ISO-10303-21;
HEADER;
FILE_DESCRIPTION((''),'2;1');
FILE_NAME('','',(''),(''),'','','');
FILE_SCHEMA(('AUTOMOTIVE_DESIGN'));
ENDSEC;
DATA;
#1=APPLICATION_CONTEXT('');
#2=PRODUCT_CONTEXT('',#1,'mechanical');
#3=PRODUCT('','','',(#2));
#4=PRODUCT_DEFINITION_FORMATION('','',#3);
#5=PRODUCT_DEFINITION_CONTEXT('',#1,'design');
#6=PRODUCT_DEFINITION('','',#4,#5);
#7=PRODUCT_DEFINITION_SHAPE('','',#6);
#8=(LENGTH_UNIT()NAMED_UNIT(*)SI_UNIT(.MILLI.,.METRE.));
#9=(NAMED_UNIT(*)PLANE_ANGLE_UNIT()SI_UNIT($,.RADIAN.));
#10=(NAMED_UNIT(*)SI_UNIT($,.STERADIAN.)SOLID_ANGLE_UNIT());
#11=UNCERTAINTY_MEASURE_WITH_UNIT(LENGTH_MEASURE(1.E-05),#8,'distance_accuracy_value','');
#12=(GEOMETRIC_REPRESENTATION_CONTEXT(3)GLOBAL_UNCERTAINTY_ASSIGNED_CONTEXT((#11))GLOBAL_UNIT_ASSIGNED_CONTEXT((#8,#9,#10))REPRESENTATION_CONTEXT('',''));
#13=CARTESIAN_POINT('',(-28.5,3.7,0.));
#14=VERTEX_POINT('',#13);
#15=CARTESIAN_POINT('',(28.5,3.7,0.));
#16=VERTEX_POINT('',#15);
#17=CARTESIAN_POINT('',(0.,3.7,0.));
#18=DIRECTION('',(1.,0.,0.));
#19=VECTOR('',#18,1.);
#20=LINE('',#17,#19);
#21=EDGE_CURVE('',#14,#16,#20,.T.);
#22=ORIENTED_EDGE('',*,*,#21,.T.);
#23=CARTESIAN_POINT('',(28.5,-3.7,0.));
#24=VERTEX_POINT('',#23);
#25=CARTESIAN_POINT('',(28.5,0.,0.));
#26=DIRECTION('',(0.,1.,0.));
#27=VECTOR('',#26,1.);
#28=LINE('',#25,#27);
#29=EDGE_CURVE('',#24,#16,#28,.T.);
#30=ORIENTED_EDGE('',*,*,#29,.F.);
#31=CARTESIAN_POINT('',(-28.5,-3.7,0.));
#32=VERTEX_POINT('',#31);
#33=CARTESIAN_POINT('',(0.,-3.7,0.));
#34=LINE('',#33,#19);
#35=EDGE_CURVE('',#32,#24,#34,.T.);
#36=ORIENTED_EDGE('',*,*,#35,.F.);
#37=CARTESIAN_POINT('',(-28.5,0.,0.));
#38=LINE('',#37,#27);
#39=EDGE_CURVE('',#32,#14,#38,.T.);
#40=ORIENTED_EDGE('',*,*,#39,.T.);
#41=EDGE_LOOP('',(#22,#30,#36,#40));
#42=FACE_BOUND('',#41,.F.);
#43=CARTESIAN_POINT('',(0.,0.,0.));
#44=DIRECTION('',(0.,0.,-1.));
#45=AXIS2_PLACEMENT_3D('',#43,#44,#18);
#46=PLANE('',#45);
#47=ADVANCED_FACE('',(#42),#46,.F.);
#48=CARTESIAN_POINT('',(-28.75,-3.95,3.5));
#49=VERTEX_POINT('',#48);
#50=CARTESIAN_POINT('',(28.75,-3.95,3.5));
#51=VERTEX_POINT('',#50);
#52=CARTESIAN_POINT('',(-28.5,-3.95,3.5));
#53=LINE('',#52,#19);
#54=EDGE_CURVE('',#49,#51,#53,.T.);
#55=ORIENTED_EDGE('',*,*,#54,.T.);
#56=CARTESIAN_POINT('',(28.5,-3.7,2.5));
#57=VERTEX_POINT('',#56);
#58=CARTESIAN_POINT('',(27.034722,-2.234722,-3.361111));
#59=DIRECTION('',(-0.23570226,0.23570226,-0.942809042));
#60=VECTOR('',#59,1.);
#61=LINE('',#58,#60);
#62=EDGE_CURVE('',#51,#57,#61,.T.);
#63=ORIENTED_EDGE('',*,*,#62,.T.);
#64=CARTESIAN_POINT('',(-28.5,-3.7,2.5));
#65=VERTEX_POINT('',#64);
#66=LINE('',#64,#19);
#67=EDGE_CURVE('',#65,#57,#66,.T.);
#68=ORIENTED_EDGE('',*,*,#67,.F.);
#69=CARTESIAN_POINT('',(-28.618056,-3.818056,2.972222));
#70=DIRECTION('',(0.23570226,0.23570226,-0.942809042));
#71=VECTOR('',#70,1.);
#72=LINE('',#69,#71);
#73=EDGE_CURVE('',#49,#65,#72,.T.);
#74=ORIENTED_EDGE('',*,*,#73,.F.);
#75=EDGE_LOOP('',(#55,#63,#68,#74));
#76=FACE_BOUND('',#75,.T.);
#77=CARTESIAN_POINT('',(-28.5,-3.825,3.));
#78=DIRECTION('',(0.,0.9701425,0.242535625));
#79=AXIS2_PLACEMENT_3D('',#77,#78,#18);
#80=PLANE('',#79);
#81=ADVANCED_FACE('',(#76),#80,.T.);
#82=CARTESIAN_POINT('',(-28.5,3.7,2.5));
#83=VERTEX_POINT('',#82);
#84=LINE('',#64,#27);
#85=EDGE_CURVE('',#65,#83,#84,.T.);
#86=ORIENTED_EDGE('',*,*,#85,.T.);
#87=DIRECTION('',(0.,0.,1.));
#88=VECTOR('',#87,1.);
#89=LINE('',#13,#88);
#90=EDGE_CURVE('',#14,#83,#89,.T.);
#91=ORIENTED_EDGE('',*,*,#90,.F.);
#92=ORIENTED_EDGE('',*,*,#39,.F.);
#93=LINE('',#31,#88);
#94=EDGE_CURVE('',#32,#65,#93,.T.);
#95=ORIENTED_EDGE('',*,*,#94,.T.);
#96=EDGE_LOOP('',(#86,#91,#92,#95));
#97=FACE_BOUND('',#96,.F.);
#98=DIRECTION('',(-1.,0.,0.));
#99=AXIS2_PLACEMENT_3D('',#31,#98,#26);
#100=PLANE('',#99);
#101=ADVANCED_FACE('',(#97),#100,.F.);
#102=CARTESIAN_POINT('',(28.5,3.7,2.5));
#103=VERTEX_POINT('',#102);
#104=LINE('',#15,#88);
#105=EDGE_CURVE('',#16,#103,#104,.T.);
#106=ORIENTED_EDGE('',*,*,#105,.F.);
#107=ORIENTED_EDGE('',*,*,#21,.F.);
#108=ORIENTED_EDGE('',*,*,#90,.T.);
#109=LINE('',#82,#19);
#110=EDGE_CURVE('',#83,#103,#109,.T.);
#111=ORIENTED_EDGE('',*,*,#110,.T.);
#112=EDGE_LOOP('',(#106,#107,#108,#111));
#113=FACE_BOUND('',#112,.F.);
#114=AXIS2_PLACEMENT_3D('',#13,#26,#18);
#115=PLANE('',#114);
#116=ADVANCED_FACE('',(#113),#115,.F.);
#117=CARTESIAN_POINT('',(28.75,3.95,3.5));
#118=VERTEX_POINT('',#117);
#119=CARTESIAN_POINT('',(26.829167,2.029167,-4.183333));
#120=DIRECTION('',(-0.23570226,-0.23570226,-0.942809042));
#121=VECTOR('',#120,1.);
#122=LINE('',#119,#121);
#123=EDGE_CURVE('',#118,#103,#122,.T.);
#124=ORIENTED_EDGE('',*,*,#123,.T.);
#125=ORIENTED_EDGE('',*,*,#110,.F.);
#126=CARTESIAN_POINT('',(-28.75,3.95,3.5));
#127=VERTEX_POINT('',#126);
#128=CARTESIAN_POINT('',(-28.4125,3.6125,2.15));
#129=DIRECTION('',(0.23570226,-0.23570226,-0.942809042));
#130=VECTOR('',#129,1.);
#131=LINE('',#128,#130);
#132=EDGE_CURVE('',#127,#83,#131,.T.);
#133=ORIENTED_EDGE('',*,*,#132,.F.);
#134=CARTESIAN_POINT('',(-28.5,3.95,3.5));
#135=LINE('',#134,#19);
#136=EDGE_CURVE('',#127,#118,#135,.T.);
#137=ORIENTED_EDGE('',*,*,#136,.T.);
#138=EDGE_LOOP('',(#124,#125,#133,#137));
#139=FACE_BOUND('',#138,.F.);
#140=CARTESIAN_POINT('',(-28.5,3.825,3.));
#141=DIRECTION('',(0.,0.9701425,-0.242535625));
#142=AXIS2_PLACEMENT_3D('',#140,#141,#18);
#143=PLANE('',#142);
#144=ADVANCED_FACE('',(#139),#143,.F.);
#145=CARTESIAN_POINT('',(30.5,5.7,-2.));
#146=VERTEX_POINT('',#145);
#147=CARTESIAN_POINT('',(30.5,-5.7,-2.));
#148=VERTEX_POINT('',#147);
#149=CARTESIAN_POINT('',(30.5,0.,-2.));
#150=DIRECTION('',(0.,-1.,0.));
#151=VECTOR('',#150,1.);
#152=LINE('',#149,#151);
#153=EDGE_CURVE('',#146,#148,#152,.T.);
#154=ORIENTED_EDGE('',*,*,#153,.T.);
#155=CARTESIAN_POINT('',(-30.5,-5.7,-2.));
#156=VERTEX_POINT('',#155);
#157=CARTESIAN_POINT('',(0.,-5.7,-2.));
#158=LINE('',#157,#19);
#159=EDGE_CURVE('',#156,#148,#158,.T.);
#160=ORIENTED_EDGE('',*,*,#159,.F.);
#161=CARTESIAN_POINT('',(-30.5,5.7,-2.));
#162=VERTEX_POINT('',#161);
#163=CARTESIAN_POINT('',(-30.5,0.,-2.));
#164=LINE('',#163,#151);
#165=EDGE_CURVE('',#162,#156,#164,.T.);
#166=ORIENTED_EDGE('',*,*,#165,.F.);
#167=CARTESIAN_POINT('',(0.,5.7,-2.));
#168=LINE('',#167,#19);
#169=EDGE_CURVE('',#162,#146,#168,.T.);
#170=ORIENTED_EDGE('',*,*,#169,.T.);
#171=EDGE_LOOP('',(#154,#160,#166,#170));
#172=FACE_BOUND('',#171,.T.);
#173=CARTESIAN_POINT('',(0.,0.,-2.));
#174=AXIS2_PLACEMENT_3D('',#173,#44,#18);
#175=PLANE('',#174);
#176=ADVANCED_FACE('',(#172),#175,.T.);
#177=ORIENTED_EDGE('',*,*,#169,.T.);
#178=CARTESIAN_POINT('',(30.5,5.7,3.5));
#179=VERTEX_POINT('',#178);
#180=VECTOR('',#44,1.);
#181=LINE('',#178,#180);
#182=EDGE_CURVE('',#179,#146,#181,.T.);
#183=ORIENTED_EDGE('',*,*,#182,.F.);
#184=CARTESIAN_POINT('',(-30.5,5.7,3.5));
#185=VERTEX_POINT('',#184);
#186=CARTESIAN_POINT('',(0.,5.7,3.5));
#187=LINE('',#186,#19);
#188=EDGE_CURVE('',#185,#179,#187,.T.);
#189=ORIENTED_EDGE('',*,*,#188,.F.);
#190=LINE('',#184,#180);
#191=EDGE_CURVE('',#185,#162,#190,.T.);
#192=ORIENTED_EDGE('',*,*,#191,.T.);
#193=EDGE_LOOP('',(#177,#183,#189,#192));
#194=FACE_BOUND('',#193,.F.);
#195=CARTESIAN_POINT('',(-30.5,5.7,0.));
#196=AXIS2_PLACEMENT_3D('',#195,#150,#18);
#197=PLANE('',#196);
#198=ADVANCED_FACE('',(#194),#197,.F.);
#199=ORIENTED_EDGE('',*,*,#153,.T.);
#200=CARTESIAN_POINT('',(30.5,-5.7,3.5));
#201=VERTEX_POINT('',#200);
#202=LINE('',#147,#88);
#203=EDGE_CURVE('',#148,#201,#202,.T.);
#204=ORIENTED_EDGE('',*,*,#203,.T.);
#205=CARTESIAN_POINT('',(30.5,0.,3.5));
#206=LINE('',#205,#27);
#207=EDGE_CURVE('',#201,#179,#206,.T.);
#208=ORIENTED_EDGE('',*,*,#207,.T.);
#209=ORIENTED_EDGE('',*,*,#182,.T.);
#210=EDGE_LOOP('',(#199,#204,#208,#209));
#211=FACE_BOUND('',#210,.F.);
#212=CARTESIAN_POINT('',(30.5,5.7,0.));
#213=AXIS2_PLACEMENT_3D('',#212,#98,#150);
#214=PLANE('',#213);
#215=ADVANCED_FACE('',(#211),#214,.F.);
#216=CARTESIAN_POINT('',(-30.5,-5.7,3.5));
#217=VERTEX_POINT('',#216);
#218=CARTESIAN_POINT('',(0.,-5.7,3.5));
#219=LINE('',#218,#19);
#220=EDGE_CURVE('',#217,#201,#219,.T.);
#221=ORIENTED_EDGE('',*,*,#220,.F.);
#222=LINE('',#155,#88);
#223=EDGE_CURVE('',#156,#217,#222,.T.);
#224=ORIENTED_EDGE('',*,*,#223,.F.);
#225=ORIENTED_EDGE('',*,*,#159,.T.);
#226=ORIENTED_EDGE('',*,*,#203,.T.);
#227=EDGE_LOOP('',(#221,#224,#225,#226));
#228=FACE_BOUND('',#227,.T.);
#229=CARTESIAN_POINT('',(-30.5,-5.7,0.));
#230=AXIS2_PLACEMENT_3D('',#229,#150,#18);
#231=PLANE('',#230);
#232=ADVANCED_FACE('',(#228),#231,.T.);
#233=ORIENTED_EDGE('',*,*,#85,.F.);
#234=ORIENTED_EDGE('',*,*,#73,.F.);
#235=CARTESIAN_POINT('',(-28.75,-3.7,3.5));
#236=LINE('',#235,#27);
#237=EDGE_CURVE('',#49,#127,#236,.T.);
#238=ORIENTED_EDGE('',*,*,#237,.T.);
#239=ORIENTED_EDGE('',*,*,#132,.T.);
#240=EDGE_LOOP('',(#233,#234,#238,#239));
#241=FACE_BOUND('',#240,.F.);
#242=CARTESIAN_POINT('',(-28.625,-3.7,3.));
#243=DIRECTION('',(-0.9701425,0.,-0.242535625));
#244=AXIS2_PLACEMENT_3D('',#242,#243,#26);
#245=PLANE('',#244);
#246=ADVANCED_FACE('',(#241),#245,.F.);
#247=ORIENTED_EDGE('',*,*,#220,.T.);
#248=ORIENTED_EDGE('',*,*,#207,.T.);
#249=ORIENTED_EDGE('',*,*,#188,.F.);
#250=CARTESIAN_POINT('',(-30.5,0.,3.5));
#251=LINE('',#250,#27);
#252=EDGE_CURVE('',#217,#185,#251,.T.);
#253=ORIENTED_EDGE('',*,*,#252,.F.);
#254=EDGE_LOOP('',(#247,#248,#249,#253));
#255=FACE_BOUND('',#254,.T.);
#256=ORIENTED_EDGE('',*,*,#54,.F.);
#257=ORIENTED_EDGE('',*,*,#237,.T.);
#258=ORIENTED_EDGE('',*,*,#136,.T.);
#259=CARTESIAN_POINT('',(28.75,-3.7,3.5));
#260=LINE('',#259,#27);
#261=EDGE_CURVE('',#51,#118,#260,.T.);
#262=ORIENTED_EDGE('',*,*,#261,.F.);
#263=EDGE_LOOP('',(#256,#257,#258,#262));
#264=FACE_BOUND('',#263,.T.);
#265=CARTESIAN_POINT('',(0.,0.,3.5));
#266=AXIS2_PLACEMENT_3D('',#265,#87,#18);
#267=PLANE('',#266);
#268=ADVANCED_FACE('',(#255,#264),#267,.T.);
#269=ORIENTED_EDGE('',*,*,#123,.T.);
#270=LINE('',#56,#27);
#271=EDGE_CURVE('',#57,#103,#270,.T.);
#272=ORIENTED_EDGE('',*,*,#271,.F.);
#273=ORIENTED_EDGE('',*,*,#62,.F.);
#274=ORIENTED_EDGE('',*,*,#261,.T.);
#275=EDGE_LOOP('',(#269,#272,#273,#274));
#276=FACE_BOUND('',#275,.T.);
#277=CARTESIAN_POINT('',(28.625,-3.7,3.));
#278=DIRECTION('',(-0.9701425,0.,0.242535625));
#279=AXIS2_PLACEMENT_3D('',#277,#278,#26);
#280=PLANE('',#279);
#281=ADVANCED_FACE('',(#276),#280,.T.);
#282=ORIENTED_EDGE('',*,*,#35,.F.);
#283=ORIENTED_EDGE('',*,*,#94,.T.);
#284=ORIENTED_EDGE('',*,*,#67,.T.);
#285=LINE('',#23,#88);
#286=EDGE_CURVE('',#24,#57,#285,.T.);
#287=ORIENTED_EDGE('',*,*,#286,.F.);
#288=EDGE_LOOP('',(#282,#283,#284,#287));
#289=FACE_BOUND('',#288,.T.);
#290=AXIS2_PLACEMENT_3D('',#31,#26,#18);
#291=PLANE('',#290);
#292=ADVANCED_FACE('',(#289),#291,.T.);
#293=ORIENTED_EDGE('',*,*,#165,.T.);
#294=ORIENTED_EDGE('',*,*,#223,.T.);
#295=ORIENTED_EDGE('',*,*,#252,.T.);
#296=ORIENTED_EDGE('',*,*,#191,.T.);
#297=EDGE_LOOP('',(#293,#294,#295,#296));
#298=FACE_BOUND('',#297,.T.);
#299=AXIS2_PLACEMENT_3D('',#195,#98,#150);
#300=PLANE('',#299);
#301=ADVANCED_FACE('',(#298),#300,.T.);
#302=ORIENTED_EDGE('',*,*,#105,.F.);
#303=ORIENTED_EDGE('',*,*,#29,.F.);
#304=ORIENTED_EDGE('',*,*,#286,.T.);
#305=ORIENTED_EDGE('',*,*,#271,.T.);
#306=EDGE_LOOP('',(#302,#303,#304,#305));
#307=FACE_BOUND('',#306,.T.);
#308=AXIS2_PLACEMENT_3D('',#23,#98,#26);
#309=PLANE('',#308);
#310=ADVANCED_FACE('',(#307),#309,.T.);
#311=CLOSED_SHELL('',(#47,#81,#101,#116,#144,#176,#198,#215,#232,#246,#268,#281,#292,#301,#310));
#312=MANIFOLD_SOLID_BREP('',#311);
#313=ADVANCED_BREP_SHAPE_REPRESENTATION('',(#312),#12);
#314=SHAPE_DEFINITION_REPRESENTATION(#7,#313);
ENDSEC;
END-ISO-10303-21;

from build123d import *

# Parameters (mm, degrees)
SKETCH_W      = 61
SKETCH_H      = 11.4
SKETCH_W_2    = 57
SKETCH_H_2    = 7.4
PAD_DEPTH     = 3.5
SKETCH001_W   = 61
SKETCH001_H   = 11.4
PAD001_DEPTH  = 2
CHAMFER_SIZE2 = 1
CHAMFER_SIZE  = 0.25


with BuildPart() as part:
    # Sketch → Pad (new body)
    with BuildSketch(Plane.XY):
        Rectangle(SKETCH_W, SKETCH_H)
        Rectangle(SKETCH_W_2, SKETCH_H_2, mode=Mode.SUBTRACT)
    extrude(amount=PAD_DEPTH)

    # Sketch001 (on Face9 of Pad) → Pad001 (join)
    with BuildSketch(Plane(origin=(0, 0, 0), x_dir=(1, 0, 0), z_dir=(0, 0, -1))):
        Rectangle(SKETCH001_W, SKETCH001_H)
    extrude(amount=PAD001_DEPTH)

    # Chamfer
    chamfer_edges = [part.edges().sort_by_distance(p)[0] for p in [
        (0, 3.7, 3.5),
        (-28.5, 0, 3.5),
        (0, -3.7, 3.5),
        (28.5, 0, 3.5),
    ]]
    chamfer_side = part.faces().sort_by_distance((29.879439, 0, 3.5))[0]
    chamfer(chamfer_edges, length=CHAMFER_SIZE, length2=CHAMFER_SIZE2, reference=chamfer_side)


solid = part.part
